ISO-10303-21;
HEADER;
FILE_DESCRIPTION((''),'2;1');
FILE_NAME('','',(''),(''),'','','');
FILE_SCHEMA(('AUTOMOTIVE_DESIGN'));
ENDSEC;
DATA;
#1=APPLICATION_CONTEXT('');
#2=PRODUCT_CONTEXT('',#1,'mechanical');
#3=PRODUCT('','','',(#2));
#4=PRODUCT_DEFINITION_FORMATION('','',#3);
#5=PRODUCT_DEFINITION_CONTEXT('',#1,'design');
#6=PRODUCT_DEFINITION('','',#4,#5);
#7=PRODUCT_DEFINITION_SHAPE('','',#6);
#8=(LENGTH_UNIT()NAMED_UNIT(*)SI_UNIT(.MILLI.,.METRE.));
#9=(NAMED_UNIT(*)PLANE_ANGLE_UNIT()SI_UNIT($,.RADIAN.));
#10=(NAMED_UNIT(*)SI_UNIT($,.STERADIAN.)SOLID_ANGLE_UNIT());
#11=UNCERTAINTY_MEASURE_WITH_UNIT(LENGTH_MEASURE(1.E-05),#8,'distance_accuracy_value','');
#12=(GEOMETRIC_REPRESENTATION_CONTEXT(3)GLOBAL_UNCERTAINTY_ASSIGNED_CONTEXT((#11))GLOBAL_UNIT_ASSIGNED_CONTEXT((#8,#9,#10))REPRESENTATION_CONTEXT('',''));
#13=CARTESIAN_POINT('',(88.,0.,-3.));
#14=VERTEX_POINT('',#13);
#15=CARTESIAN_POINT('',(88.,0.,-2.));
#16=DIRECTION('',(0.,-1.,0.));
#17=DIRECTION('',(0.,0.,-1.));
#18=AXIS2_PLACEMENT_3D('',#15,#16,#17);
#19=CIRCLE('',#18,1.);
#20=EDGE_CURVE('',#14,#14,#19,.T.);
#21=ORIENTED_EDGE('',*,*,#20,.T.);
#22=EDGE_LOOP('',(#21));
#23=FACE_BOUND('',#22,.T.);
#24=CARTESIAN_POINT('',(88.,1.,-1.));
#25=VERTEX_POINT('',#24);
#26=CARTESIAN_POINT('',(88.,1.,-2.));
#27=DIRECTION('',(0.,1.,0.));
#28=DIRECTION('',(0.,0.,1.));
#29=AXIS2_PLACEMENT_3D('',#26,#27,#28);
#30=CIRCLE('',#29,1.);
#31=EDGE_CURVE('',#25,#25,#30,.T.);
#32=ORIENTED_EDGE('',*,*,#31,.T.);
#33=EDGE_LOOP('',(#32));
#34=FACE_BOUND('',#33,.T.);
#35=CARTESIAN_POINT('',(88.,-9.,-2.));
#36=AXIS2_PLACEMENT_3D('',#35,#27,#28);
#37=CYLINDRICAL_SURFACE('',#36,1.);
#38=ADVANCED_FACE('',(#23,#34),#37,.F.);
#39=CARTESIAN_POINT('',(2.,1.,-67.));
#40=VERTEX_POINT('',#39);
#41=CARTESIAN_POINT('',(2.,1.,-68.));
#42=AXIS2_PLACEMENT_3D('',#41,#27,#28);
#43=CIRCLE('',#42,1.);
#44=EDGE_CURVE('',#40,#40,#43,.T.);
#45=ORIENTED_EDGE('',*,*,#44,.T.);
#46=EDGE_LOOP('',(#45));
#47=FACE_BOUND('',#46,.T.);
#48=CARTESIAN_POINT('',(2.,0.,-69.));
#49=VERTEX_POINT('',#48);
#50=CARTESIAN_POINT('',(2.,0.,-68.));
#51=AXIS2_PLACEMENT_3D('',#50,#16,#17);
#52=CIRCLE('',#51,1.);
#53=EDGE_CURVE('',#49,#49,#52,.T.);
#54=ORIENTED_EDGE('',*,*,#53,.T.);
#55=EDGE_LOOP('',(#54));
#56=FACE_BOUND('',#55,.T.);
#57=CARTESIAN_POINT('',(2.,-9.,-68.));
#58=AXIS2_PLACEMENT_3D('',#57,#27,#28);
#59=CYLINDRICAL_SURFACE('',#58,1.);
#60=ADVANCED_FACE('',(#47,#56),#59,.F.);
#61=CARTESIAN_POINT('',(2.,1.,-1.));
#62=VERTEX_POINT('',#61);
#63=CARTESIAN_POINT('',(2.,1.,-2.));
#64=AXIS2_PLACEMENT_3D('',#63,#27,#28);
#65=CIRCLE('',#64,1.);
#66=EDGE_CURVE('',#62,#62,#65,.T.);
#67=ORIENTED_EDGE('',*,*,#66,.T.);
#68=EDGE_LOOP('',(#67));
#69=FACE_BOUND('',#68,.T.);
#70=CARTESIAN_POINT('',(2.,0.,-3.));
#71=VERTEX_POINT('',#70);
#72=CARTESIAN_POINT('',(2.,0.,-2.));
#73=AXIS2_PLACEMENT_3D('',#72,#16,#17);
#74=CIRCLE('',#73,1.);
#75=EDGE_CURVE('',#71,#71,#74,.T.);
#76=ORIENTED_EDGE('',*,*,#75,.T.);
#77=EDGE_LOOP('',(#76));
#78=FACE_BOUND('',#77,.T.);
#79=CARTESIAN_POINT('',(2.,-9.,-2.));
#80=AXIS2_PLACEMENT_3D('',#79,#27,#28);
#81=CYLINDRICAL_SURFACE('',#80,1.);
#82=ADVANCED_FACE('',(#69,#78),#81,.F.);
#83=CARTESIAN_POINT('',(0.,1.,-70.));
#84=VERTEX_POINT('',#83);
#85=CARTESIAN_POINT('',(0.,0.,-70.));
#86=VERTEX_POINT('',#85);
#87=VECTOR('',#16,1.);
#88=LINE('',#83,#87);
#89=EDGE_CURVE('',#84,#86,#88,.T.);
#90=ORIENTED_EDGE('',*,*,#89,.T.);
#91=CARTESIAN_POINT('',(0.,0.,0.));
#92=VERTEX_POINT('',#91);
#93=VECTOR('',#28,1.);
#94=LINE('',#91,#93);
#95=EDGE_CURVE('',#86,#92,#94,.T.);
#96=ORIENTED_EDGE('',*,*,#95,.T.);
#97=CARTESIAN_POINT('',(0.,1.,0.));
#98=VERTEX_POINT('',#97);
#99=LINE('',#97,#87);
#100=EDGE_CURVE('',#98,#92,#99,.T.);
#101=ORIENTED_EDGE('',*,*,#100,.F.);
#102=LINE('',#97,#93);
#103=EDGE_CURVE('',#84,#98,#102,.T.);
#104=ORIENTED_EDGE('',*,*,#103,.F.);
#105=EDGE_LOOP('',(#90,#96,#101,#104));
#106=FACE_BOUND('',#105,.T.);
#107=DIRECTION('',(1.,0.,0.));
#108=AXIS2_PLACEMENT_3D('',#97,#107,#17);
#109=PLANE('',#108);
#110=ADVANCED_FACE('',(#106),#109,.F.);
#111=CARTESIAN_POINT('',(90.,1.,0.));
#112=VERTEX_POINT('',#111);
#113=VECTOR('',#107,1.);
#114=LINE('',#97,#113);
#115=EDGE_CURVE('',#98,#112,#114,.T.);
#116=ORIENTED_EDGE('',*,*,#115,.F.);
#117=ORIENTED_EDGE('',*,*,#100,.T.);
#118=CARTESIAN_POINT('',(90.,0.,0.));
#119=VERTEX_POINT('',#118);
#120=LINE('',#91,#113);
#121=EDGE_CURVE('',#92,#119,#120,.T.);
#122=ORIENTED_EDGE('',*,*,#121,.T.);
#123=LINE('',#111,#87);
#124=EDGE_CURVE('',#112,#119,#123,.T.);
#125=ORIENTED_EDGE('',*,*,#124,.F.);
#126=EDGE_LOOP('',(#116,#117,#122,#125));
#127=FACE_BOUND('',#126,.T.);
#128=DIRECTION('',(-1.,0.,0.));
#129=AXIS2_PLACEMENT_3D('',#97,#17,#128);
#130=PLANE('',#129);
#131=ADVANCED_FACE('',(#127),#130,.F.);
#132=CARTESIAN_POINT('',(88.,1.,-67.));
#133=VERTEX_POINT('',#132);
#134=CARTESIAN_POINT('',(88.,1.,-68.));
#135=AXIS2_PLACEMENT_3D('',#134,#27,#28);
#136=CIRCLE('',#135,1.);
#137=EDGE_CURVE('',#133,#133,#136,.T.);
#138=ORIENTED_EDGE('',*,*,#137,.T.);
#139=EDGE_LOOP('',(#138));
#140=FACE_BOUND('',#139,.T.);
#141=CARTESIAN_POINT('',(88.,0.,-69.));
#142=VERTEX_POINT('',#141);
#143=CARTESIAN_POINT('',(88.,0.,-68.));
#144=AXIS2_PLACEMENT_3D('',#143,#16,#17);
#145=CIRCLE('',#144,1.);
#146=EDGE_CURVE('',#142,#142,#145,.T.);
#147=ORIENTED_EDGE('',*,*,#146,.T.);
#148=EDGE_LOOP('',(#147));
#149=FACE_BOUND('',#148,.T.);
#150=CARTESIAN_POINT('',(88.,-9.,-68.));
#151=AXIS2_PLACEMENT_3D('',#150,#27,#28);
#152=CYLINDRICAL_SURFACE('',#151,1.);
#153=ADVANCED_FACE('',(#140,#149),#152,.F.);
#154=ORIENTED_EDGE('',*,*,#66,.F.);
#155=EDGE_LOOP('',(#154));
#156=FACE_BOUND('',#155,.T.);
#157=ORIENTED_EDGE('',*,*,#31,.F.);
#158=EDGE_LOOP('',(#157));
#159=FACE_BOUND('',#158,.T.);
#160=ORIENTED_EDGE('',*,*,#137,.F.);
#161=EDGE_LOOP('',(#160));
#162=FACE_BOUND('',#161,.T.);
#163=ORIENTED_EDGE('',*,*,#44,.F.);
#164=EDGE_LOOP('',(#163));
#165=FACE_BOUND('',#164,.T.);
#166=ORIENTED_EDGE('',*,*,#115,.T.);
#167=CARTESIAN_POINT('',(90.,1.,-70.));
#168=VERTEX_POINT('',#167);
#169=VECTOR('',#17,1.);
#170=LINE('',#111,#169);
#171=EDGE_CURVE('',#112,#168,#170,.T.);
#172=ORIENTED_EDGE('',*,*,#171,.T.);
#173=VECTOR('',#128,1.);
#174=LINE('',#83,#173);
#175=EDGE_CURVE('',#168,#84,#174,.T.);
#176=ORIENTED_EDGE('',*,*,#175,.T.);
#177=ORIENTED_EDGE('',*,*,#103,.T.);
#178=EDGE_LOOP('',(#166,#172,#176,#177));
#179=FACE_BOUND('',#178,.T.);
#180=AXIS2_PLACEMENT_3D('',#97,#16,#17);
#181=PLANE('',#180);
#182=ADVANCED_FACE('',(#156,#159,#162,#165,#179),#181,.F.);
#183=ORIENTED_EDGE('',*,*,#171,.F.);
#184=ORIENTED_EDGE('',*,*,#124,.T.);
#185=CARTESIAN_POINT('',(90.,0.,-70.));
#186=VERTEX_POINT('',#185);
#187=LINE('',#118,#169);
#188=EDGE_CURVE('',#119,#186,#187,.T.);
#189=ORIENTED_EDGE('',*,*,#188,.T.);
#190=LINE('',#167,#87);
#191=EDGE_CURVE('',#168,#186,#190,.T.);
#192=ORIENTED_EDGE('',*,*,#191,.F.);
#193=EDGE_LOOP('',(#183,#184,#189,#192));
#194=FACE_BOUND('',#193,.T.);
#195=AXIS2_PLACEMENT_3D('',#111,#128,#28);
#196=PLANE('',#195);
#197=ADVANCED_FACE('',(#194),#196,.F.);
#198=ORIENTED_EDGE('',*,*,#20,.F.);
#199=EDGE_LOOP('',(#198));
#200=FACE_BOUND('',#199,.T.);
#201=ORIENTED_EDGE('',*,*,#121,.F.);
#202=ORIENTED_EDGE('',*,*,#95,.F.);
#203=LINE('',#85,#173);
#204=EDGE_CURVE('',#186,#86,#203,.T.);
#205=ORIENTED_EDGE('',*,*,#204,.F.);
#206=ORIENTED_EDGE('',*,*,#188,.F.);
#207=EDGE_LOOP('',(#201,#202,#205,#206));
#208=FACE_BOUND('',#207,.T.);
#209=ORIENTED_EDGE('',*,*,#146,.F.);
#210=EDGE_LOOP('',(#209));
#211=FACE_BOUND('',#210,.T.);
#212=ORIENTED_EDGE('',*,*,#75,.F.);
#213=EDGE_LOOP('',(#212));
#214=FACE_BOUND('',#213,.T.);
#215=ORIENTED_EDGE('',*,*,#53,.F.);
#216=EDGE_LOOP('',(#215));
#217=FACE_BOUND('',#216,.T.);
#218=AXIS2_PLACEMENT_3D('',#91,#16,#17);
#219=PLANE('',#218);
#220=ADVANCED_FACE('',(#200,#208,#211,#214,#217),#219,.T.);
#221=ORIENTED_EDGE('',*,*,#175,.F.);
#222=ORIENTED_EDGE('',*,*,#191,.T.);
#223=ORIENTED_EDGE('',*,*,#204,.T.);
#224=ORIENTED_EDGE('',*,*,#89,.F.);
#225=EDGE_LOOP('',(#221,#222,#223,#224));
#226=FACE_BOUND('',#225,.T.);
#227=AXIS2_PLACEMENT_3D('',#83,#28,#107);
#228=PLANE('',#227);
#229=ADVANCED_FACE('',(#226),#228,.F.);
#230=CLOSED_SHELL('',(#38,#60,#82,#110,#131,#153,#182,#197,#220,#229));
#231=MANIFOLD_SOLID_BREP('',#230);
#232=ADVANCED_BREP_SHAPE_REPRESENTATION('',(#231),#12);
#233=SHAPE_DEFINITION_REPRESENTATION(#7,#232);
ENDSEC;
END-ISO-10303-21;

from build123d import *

# Parameters (mm, degrees)
SKETCH1_W           = 90
SKETCH1_H           = 70
BOSS_EXTRUDE1_DEPTH = 1
SKETCH2_R           = 1
CUT_EXTRUDE1_DEPTH  = 10


with BuildPart() as part:
    # Sketch1 → Boss-Extrude1 (new body)
    with BuildSketch(Plane(origin=(0, 0, 0), x_dir=(1, 0, 0), z_dir=(0, 1, 0))):
        with Locations((45, 35)):
            Rectangle(SKETCH1_W, SKETCH1_H)
    extrude(amount=BOSS_EXTRUDE1_DEPTH)

    # Sketch2 → Cut-Extrude1 (cut)
    with BuildSketch(Plane(origin=(0, 1, 0), x_dir=(1, 0, 0), z_dir=(0, 1, 0))):
        with Locations(Location((88, 68, 0), (0, 0, 270))):
            Circle(SKETCH2_R)
        with Locations(Location((88, 2, 0), (0, 0, 270))):
            Circle(SKETCH2_R)
        with Locations(Location((2, 2, 0), (0, 0, 270))):
            Circle(SKETCH2_R)
        with Locations(Location((2, 68, 0), (0, 0, 270))):
            Circle(SKETCH2_R)
    extrude(amount=-CUT_EXTRUDE1_DEPTH, mode=Mode.SUBTRACT)


solid = part.part
